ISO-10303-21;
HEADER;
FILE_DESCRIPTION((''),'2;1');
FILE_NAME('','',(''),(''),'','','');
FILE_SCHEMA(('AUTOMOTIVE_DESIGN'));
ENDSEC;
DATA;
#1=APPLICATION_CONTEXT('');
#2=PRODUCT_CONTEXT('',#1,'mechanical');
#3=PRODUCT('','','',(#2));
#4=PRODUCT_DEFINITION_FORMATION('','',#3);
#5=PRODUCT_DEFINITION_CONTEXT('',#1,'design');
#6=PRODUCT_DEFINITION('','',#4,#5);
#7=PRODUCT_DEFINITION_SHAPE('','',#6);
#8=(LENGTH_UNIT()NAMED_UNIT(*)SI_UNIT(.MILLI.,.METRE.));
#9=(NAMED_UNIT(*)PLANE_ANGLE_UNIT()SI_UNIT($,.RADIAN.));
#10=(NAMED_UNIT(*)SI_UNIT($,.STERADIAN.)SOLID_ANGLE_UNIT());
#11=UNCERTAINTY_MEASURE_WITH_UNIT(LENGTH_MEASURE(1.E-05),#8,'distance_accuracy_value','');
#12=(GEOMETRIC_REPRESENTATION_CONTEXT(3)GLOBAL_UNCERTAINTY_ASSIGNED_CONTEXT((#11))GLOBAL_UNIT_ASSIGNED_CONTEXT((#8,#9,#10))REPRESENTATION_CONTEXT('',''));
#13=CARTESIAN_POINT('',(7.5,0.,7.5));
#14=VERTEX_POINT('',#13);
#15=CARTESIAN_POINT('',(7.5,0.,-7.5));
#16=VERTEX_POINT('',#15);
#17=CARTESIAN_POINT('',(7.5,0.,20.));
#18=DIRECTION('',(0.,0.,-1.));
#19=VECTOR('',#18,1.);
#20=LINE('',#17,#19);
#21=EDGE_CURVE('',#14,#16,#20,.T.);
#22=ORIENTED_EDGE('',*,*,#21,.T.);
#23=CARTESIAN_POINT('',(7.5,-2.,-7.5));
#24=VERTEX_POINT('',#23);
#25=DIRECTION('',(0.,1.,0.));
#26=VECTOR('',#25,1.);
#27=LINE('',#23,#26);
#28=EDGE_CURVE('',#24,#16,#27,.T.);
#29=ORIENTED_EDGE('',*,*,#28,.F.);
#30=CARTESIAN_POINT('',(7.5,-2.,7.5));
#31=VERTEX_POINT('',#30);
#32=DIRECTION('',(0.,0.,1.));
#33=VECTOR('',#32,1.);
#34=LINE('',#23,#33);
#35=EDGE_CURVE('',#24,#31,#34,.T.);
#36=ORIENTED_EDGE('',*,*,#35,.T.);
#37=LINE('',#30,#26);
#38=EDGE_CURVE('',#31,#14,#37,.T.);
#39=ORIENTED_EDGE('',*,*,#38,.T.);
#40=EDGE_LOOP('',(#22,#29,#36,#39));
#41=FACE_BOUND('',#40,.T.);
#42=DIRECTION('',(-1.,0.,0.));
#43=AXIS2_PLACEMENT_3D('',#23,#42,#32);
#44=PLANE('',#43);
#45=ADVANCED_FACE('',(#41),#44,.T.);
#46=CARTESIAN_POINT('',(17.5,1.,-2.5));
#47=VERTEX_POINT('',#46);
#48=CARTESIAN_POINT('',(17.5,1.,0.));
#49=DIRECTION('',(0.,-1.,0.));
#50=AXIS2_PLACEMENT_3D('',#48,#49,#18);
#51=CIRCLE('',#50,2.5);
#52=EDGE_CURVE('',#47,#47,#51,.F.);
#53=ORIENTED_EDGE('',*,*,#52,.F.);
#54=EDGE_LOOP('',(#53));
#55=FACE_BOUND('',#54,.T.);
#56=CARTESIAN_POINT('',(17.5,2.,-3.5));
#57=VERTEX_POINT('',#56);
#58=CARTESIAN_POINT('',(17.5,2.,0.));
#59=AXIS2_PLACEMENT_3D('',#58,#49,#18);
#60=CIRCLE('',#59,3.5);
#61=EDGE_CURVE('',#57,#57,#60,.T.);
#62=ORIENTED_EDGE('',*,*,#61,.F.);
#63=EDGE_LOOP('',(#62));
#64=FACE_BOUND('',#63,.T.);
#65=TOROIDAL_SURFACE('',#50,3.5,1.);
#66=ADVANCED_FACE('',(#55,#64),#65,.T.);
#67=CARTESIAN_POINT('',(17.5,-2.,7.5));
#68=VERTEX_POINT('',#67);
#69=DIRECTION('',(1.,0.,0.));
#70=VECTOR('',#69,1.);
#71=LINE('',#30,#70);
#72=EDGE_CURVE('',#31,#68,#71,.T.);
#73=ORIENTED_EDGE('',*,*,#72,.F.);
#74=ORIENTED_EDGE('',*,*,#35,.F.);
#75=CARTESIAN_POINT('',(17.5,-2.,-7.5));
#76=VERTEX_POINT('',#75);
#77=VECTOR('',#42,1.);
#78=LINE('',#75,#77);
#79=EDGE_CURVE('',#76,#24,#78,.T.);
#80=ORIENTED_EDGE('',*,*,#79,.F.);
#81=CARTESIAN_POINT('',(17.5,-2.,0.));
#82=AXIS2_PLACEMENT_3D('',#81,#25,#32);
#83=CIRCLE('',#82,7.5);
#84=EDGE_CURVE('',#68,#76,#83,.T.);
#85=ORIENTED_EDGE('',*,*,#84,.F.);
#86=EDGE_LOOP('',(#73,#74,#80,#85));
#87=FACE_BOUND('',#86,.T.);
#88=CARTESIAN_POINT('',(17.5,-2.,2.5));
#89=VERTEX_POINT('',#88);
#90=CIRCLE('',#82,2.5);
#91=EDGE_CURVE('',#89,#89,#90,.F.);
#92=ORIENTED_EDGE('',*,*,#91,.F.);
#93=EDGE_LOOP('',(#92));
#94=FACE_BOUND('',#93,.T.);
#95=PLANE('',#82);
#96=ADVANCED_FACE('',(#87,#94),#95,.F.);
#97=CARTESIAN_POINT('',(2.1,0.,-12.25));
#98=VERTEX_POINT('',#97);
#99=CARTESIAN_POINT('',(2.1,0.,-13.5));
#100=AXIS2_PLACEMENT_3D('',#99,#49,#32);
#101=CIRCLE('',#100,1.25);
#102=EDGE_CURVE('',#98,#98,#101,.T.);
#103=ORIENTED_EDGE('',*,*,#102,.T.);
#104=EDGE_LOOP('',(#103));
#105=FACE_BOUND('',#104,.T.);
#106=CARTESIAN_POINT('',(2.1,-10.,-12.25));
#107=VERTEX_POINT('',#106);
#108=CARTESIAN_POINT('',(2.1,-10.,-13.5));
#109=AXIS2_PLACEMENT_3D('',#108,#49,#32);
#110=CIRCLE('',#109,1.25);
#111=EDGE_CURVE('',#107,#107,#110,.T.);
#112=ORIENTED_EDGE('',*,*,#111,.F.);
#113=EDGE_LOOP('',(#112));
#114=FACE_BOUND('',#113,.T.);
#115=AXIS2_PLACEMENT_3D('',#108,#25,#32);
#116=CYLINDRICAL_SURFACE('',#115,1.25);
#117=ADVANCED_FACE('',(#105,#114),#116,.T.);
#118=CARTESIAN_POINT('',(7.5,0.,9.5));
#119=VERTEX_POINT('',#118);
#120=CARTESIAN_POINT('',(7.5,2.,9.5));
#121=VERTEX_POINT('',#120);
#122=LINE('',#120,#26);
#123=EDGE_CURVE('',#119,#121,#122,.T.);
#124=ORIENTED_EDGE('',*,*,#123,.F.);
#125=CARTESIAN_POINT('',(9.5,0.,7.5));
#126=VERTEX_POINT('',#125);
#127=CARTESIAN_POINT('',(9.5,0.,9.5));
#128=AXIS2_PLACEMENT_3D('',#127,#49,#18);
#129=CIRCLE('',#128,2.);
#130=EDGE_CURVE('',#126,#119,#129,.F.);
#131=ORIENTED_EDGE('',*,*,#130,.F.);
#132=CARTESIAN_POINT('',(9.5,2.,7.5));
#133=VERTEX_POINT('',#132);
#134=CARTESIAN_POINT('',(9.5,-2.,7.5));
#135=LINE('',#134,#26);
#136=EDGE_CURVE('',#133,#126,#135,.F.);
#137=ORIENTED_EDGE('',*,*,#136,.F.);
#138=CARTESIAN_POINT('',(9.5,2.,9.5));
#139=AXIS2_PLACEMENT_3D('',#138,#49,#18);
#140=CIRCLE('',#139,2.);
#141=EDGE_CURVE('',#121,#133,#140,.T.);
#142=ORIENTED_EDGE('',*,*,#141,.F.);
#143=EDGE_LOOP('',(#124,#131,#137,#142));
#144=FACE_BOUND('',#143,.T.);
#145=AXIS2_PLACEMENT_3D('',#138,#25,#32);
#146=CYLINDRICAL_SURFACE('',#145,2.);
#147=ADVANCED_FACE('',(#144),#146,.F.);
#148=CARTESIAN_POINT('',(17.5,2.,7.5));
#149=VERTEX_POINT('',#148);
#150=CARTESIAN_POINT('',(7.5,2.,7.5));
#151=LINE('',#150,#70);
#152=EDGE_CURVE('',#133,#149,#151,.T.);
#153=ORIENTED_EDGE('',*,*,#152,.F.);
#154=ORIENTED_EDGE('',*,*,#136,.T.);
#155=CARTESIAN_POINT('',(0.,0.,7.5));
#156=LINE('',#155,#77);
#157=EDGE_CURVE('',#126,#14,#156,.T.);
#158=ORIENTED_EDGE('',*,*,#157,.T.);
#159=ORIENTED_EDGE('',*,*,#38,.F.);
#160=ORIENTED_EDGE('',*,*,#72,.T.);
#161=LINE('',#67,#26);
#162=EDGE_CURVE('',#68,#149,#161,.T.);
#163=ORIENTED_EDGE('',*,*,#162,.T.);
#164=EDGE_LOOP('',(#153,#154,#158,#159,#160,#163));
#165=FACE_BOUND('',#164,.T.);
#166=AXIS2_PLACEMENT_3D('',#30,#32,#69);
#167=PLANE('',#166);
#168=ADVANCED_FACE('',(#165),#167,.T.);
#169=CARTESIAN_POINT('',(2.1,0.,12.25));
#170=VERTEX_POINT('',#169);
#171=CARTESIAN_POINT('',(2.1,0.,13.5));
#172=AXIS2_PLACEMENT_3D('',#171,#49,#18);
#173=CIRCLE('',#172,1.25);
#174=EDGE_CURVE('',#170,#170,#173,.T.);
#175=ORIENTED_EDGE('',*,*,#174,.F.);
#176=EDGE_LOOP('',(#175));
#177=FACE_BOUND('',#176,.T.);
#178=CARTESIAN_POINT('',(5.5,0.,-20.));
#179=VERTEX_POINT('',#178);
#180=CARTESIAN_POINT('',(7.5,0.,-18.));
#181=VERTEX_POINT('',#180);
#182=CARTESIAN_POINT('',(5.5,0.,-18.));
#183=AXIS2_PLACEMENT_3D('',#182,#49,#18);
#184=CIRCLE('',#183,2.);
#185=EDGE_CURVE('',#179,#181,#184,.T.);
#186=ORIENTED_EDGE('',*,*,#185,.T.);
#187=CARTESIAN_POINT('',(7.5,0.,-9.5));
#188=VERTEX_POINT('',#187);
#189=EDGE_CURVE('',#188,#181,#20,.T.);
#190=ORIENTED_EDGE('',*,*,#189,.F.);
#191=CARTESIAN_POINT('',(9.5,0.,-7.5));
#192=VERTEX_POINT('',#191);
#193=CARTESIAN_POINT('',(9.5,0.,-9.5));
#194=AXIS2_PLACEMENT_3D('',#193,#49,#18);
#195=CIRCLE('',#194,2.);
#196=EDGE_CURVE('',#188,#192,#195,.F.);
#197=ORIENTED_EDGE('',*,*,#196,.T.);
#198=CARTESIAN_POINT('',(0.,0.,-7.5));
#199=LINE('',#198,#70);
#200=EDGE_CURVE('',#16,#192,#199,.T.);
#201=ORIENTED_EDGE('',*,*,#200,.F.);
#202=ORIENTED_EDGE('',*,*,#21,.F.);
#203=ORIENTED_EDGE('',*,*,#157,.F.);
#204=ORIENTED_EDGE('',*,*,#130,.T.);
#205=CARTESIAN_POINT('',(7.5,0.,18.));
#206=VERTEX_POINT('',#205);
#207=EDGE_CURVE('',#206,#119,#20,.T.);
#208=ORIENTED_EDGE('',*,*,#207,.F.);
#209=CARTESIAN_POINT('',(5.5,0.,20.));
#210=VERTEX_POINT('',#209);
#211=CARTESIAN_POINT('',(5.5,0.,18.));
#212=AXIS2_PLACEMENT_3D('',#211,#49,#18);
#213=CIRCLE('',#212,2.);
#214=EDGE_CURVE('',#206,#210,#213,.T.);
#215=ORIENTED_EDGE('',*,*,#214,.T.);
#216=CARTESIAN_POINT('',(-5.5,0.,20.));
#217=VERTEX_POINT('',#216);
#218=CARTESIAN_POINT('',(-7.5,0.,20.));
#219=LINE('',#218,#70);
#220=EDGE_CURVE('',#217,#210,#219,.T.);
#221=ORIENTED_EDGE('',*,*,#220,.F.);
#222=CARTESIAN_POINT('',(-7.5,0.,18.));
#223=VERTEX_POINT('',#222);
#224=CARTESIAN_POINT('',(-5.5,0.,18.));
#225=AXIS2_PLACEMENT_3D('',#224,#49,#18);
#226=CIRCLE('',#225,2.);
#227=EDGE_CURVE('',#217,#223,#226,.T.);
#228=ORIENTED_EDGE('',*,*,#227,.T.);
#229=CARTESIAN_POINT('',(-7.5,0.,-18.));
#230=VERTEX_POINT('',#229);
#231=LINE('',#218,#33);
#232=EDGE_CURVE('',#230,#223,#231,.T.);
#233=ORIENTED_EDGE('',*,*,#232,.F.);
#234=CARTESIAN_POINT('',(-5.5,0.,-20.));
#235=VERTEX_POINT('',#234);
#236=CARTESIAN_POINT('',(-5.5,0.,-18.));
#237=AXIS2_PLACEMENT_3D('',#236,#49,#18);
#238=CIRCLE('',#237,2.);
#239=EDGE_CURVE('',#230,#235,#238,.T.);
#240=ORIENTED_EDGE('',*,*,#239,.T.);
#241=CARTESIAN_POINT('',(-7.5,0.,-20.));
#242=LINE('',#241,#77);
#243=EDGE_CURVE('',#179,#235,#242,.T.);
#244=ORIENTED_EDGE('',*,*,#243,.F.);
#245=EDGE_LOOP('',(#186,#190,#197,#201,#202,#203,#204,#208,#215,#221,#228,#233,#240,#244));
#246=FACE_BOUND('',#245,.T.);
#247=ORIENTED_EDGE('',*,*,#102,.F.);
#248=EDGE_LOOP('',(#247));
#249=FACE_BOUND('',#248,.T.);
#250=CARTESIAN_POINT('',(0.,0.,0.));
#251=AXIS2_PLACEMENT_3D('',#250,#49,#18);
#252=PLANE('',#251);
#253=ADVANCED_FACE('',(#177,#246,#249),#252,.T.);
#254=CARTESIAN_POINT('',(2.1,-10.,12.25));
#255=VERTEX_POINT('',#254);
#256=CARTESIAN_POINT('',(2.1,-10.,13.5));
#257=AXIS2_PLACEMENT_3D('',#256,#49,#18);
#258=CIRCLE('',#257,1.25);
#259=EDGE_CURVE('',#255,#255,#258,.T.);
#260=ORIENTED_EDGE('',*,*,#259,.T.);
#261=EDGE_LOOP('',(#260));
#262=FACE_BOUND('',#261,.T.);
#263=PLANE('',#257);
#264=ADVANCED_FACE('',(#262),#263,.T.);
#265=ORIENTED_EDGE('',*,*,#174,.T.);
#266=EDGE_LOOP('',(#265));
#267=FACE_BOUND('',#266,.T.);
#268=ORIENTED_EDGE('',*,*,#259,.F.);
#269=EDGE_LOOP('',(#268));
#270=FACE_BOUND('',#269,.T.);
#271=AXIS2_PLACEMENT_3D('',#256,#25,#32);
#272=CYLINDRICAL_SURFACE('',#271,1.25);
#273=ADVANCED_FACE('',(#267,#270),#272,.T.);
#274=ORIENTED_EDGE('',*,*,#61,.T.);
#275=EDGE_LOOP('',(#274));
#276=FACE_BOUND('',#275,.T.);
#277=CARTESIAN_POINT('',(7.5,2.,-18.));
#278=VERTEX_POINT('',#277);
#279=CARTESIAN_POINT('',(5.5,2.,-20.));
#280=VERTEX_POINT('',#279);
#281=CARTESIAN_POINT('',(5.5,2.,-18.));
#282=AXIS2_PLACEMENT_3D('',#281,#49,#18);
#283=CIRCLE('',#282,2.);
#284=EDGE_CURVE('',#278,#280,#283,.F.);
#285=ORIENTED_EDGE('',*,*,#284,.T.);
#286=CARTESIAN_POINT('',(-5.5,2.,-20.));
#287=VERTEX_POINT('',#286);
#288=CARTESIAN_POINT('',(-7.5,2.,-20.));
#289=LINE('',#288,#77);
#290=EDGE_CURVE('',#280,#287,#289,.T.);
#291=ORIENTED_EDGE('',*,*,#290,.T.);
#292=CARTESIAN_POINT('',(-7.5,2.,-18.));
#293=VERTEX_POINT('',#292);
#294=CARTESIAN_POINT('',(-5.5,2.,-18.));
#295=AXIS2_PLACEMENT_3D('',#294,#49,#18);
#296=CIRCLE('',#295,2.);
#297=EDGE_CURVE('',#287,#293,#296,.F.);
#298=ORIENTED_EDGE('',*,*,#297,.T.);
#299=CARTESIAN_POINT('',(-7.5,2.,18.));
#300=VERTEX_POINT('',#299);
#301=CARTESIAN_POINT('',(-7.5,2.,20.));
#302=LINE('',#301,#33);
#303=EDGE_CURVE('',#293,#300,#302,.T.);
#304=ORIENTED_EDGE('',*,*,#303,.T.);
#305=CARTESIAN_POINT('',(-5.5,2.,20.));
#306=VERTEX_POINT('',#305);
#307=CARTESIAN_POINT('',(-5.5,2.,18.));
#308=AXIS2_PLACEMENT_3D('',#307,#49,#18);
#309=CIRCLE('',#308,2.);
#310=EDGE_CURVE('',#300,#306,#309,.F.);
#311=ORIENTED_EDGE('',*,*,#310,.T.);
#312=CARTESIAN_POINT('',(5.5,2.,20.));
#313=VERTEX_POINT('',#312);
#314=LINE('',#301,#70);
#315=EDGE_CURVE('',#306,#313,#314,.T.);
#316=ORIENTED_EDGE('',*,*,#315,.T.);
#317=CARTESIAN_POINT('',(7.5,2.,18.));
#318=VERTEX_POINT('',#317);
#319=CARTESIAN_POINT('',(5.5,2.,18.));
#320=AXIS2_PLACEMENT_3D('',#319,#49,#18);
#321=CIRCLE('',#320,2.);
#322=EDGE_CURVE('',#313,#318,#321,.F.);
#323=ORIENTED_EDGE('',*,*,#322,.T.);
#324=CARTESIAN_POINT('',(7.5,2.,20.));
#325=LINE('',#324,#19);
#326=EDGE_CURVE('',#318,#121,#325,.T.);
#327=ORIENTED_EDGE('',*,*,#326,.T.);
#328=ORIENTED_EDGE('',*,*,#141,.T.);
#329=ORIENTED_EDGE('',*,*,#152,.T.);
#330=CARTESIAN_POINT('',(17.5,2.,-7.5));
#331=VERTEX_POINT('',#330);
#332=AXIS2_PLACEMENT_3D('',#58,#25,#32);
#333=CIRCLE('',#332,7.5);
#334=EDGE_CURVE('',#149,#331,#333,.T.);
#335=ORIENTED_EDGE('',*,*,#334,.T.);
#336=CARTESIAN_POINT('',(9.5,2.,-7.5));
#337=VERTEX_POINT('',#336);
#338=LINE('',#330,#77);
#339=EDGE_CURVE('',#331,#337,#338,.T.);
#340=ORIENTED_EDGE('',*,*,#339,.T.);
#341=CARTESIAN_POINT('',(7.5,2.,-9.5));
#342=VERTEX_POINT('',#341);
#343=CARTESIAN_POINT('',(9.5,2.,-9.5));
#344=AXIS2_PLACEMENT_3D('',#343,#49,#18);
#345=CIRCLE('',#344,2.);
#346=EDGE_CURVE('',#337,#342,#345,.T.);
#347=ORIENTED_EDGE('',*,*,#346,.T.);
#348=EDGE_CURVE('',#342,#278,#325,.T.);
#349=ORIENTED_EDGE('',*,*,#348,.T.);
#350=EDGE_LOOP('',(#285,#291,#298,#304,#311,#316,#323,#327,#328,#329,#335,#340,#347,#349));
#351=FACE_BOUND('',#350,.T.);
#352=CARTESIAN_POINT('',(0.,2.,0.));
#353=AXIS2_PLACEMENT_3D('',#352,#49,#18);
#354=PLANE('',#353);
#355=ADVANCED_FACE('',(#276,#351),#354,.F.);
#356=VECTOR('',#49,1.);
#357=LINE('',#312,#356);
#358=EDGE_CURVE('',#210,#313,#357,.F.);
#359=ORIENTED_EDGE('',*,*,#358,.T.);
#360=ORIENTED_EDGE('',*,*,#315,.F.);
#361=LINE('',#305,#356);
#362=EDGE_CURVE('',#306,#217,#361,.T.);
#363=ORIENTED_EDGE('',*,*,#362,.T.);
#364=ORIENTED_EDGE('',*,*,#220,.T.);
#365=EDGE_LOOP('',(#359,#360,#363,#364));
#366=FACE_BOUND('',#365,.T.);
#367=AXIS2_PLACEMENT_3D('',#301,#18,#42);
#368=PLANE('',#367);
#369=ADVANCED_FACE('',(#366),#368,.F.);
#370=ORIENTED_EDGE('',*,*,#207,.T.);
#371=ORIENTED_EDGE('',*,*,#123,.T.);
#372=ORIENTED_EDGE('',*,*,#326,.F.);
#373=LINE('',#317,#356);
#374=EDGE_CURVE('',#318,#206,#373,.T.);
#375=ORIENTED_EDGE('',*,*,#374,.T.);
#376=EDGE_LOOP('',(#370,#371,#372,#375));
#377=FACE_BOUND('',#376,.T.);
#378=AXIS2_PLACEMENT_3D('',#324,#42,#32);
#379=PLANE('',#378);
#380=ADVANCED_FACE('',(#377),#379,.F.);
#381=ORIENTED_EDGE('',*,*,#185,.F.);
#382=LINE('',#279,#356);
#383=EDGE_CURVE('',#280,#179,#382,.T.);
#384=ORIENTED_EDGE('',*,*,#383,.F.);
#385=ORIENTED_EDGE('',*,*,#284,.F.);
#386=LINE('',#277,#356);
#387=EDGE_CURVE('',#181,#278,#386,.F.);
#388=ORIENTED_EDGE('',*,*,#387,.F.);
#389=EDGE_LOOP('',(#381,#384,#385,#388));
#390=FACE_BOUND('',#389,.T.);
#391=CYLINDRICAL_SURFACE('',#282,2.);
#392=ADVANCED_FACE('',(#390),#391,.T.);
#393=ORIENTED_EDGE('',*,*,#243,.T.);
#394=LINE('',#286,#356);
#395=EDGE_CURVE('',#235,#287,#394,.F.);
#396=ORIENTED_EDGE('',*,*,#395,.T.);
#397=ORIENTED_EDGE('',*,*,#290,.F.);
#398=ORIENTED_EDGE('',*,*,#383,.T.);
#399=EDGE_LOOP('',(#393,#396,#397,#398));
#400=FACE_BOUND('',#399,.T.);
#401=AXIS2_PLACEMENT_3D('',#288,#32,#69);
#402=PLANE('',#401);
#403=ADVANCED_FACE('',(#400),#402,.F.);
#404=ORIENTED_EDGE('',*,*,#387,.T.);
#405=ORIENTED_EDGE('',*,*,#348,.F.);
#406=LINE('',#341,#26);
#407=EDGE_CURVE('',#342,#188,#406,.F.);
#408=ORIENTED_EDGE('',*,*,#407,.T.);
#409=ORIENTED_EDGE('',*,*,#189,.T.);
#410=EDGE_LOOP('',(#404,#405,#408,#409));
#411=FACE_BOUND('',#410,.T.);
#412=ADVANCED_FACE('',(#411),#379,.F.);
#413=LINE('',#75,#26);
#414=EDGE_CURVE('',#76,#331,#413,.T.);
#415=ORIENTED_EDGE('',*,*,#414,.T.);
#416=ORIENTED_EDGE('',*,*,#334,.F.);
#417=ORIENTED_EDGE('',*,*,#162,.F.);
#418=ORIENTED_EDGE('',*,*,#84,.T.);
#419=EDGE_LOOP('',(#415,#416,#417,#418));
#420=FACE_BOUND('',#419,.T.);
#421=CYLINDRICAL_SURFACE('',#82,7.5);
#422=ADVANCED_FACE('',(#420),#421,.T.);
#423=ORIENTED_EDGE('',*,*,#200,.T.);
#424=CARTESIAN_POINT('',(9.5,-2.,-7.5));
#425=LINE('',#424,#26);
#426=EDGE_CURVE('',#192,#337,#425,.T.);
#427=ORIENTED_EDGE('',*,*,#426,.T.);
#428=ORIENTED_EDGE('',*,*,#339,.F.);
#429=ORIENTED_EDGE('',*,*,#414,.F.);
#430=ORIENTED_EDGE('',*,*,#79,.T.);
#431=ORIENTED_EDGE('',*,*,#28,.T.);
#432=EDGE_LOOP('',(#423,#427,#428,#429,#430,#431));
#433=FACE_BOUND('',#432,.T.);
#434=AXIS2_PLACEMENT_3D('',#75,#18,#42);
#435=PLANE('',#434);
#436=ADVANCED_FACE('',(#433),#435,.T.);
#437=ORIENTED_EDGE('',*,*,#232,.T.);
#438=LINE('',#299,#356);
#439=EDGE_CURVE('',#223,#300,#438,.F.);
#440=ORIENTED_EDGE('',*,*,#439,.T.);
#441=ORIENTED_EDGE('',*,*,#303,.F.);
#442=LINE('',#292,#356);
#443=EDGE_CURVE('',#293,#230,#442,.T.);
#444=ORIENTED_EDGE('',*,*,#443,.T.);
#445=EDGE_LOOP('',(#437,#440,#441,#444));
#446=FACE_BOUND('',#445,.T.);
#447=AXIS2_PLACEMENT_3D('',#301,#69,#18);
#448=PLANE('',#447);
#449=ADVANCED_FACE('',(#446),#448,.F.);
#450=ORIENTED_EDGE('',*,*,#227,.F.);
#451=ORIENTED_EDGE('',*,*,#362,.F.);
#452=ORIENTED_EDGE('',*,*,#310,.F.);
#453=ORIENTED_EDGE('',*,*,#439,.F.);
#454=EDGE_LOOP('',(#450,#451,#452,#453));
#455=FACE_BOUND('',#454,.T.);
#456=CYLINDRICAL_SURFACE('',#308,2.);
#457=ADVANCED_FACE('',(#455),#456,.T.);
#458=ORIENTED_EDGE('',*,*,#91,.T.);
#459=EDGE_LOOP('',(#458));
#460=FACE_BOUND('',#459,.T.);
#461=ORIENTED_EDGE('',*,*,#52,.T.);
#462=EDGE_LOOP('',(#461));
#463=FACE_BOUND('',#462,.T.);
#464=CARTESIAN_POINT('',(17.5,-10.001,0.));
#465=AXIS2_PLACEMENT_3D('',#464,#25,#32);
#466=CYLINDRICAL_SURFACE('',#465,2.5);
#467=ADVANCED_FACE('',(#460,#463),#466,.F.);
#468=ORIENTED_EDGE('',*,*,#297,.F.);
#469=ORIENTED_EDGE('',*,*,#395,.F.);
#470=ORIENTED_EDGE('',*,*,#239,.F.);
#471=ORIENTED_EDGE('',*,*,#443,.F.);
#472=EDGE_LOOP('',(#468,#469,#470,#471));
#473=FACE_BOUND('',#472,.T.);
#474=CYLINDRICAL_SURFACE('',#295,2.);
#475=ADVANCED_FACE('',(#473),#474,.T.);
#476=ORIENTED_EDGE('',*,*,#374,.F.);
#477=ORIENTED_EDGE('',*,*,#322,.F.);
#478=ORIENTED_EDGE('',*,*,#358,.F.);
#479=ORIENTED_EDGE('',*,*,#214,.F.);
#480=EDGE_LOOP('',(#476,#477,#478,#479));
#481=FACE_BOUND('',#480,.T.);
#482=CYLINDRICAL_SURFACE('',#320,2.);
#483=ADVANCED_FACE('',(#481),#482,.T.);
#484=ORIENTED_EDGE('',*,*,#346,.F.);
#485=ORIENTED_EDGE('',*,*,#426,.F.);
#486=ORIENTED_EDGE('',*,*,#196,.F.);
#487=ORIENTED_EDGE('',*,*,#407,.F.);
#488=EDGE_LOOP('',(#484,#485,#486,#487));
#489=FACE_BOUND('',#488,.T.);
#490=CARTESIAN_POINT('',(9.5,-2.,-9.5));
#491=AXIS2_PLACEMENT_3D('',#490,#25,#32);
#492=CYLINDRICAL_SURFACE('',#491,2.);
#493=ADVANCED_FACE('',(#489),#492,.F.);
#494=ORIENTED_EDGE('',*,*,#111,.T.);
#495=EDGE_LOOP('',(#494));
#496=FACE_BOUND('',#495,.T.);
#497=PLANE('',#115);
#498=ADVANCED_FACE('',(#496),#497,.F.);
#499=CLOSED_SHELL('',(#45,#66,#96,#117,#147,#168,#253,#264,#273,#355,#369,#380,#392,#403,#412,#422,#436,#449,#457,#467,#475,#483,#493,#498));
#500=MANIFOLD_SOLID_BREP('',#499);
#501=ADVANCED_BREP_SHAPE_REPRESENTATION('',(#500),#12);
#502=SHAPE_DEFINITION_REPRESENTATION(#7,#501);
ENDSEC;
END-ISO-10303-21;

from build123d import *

# Parameters (mm, degrees)
SKETCH_1_W          = 15
SKETCH_1_H          = 40
EXTRUDE_1_DEPTH     = 2
EXTRUDE_2_DEPTH     = 4
SKETCH_3_R          = 1.25
EXTRUDE_3_DEPTH     = 10
CUT_EXTRUDE_1_REACH = 36.191
SKETCH_4_R          = 2.5
FILLET_2_R          = 1
FILLET_3_R          = 2


with BuildPart() as part:
    # 草图1 → 凸台-拉伸1 (new body)
    with BuildSketch(Plane(origin=(0, 0, 0), x_dir=(1, 0, 0), z_dir=(0, 1, 0))):
        Rectangle(SKETCH_1_W, SKETCH_1_H)
    extrude(amount=EXTRUDE_1_DEPTH)

    # 草图2 → 凸台-拉伸2 (add)
    with BuildSketch(Plane(origin=(0, 2, 0), x_dir=(1, 0, 0), z_dir=(0, 1, 0))):
        with BuildLine():
            Line((7.5, -7.5), (17.5, -7.5))
            ThreePointArc((17.5, -7.5), (25, 0), (17.5, 7.5))
            Line((17.5, 7.5), (7.5, 7.5))
            Line((7.5, 7.5), (7.5, -7.5))
        make_face()
    extrude(amount=-EXTRUDE_2_DEPTH)

    # 草图3 → 凸台-拉伸3 (add)
    with BuildSketch(Plane.XZ):
        with Locations(Location((2.1, 13.5, 0), (0, 0, 270))):
            Circle(SKETCH_3_R)
        with Locations(Location((2.1, -13.5, 0), (0, 0, 90))):
            Circle(SKETCH_3_R)
    extrude(amount=EXTRUDE_3_DEPTH)

    # 草图4 → 切除-拉伸1 (cut, up to next)
    with BuildSketch(Plane(origin=(0, 2, 0), x_dir=(1, 0, 0), z_dir=(0, 1, 0)), mode=Mode.PRIVATE) as cut_extrude_1_sk1:
        with Locations(Location((17.5, 0, 0), (0, 0, 270))):
            Circle(SKETCH_4_R)
    cut_extrude_1_tool1 = extrude(cut_extrude_1_sk1.sketch, amount=-CUT_EXTRUDE_1_REACH, mode=Mode.PRIVATE) & part.part
    add(cut_extrude_1_tool1.solids().sort_by_distance((17.5, 2, 0))[0], mode=Mode.SUBTRACT)

    # 圆角2
    fillet_2_edges = [part.edges().sort_by_distance(p)[0] for p in [
        (17.5, 2, -2.5),
    ]]
    fillet(fillet_2_edges, radius=FILLET_2_R)

    # 圆角3
    fillet_3_edges = [part.edges().sort_by_distance(p)[0] for p in [
        (7.5, 1, 7.5),
        (7.5, 1, -7.5),
        (7.5, 1, 20),
        (-7.5, 1, 20),
        (-7.5, 1, -20),
        (7.5, 1, -20),
    ]]
    fillet(fillet_3_edges, radius=FILLET_3_R)


solid = part.part
